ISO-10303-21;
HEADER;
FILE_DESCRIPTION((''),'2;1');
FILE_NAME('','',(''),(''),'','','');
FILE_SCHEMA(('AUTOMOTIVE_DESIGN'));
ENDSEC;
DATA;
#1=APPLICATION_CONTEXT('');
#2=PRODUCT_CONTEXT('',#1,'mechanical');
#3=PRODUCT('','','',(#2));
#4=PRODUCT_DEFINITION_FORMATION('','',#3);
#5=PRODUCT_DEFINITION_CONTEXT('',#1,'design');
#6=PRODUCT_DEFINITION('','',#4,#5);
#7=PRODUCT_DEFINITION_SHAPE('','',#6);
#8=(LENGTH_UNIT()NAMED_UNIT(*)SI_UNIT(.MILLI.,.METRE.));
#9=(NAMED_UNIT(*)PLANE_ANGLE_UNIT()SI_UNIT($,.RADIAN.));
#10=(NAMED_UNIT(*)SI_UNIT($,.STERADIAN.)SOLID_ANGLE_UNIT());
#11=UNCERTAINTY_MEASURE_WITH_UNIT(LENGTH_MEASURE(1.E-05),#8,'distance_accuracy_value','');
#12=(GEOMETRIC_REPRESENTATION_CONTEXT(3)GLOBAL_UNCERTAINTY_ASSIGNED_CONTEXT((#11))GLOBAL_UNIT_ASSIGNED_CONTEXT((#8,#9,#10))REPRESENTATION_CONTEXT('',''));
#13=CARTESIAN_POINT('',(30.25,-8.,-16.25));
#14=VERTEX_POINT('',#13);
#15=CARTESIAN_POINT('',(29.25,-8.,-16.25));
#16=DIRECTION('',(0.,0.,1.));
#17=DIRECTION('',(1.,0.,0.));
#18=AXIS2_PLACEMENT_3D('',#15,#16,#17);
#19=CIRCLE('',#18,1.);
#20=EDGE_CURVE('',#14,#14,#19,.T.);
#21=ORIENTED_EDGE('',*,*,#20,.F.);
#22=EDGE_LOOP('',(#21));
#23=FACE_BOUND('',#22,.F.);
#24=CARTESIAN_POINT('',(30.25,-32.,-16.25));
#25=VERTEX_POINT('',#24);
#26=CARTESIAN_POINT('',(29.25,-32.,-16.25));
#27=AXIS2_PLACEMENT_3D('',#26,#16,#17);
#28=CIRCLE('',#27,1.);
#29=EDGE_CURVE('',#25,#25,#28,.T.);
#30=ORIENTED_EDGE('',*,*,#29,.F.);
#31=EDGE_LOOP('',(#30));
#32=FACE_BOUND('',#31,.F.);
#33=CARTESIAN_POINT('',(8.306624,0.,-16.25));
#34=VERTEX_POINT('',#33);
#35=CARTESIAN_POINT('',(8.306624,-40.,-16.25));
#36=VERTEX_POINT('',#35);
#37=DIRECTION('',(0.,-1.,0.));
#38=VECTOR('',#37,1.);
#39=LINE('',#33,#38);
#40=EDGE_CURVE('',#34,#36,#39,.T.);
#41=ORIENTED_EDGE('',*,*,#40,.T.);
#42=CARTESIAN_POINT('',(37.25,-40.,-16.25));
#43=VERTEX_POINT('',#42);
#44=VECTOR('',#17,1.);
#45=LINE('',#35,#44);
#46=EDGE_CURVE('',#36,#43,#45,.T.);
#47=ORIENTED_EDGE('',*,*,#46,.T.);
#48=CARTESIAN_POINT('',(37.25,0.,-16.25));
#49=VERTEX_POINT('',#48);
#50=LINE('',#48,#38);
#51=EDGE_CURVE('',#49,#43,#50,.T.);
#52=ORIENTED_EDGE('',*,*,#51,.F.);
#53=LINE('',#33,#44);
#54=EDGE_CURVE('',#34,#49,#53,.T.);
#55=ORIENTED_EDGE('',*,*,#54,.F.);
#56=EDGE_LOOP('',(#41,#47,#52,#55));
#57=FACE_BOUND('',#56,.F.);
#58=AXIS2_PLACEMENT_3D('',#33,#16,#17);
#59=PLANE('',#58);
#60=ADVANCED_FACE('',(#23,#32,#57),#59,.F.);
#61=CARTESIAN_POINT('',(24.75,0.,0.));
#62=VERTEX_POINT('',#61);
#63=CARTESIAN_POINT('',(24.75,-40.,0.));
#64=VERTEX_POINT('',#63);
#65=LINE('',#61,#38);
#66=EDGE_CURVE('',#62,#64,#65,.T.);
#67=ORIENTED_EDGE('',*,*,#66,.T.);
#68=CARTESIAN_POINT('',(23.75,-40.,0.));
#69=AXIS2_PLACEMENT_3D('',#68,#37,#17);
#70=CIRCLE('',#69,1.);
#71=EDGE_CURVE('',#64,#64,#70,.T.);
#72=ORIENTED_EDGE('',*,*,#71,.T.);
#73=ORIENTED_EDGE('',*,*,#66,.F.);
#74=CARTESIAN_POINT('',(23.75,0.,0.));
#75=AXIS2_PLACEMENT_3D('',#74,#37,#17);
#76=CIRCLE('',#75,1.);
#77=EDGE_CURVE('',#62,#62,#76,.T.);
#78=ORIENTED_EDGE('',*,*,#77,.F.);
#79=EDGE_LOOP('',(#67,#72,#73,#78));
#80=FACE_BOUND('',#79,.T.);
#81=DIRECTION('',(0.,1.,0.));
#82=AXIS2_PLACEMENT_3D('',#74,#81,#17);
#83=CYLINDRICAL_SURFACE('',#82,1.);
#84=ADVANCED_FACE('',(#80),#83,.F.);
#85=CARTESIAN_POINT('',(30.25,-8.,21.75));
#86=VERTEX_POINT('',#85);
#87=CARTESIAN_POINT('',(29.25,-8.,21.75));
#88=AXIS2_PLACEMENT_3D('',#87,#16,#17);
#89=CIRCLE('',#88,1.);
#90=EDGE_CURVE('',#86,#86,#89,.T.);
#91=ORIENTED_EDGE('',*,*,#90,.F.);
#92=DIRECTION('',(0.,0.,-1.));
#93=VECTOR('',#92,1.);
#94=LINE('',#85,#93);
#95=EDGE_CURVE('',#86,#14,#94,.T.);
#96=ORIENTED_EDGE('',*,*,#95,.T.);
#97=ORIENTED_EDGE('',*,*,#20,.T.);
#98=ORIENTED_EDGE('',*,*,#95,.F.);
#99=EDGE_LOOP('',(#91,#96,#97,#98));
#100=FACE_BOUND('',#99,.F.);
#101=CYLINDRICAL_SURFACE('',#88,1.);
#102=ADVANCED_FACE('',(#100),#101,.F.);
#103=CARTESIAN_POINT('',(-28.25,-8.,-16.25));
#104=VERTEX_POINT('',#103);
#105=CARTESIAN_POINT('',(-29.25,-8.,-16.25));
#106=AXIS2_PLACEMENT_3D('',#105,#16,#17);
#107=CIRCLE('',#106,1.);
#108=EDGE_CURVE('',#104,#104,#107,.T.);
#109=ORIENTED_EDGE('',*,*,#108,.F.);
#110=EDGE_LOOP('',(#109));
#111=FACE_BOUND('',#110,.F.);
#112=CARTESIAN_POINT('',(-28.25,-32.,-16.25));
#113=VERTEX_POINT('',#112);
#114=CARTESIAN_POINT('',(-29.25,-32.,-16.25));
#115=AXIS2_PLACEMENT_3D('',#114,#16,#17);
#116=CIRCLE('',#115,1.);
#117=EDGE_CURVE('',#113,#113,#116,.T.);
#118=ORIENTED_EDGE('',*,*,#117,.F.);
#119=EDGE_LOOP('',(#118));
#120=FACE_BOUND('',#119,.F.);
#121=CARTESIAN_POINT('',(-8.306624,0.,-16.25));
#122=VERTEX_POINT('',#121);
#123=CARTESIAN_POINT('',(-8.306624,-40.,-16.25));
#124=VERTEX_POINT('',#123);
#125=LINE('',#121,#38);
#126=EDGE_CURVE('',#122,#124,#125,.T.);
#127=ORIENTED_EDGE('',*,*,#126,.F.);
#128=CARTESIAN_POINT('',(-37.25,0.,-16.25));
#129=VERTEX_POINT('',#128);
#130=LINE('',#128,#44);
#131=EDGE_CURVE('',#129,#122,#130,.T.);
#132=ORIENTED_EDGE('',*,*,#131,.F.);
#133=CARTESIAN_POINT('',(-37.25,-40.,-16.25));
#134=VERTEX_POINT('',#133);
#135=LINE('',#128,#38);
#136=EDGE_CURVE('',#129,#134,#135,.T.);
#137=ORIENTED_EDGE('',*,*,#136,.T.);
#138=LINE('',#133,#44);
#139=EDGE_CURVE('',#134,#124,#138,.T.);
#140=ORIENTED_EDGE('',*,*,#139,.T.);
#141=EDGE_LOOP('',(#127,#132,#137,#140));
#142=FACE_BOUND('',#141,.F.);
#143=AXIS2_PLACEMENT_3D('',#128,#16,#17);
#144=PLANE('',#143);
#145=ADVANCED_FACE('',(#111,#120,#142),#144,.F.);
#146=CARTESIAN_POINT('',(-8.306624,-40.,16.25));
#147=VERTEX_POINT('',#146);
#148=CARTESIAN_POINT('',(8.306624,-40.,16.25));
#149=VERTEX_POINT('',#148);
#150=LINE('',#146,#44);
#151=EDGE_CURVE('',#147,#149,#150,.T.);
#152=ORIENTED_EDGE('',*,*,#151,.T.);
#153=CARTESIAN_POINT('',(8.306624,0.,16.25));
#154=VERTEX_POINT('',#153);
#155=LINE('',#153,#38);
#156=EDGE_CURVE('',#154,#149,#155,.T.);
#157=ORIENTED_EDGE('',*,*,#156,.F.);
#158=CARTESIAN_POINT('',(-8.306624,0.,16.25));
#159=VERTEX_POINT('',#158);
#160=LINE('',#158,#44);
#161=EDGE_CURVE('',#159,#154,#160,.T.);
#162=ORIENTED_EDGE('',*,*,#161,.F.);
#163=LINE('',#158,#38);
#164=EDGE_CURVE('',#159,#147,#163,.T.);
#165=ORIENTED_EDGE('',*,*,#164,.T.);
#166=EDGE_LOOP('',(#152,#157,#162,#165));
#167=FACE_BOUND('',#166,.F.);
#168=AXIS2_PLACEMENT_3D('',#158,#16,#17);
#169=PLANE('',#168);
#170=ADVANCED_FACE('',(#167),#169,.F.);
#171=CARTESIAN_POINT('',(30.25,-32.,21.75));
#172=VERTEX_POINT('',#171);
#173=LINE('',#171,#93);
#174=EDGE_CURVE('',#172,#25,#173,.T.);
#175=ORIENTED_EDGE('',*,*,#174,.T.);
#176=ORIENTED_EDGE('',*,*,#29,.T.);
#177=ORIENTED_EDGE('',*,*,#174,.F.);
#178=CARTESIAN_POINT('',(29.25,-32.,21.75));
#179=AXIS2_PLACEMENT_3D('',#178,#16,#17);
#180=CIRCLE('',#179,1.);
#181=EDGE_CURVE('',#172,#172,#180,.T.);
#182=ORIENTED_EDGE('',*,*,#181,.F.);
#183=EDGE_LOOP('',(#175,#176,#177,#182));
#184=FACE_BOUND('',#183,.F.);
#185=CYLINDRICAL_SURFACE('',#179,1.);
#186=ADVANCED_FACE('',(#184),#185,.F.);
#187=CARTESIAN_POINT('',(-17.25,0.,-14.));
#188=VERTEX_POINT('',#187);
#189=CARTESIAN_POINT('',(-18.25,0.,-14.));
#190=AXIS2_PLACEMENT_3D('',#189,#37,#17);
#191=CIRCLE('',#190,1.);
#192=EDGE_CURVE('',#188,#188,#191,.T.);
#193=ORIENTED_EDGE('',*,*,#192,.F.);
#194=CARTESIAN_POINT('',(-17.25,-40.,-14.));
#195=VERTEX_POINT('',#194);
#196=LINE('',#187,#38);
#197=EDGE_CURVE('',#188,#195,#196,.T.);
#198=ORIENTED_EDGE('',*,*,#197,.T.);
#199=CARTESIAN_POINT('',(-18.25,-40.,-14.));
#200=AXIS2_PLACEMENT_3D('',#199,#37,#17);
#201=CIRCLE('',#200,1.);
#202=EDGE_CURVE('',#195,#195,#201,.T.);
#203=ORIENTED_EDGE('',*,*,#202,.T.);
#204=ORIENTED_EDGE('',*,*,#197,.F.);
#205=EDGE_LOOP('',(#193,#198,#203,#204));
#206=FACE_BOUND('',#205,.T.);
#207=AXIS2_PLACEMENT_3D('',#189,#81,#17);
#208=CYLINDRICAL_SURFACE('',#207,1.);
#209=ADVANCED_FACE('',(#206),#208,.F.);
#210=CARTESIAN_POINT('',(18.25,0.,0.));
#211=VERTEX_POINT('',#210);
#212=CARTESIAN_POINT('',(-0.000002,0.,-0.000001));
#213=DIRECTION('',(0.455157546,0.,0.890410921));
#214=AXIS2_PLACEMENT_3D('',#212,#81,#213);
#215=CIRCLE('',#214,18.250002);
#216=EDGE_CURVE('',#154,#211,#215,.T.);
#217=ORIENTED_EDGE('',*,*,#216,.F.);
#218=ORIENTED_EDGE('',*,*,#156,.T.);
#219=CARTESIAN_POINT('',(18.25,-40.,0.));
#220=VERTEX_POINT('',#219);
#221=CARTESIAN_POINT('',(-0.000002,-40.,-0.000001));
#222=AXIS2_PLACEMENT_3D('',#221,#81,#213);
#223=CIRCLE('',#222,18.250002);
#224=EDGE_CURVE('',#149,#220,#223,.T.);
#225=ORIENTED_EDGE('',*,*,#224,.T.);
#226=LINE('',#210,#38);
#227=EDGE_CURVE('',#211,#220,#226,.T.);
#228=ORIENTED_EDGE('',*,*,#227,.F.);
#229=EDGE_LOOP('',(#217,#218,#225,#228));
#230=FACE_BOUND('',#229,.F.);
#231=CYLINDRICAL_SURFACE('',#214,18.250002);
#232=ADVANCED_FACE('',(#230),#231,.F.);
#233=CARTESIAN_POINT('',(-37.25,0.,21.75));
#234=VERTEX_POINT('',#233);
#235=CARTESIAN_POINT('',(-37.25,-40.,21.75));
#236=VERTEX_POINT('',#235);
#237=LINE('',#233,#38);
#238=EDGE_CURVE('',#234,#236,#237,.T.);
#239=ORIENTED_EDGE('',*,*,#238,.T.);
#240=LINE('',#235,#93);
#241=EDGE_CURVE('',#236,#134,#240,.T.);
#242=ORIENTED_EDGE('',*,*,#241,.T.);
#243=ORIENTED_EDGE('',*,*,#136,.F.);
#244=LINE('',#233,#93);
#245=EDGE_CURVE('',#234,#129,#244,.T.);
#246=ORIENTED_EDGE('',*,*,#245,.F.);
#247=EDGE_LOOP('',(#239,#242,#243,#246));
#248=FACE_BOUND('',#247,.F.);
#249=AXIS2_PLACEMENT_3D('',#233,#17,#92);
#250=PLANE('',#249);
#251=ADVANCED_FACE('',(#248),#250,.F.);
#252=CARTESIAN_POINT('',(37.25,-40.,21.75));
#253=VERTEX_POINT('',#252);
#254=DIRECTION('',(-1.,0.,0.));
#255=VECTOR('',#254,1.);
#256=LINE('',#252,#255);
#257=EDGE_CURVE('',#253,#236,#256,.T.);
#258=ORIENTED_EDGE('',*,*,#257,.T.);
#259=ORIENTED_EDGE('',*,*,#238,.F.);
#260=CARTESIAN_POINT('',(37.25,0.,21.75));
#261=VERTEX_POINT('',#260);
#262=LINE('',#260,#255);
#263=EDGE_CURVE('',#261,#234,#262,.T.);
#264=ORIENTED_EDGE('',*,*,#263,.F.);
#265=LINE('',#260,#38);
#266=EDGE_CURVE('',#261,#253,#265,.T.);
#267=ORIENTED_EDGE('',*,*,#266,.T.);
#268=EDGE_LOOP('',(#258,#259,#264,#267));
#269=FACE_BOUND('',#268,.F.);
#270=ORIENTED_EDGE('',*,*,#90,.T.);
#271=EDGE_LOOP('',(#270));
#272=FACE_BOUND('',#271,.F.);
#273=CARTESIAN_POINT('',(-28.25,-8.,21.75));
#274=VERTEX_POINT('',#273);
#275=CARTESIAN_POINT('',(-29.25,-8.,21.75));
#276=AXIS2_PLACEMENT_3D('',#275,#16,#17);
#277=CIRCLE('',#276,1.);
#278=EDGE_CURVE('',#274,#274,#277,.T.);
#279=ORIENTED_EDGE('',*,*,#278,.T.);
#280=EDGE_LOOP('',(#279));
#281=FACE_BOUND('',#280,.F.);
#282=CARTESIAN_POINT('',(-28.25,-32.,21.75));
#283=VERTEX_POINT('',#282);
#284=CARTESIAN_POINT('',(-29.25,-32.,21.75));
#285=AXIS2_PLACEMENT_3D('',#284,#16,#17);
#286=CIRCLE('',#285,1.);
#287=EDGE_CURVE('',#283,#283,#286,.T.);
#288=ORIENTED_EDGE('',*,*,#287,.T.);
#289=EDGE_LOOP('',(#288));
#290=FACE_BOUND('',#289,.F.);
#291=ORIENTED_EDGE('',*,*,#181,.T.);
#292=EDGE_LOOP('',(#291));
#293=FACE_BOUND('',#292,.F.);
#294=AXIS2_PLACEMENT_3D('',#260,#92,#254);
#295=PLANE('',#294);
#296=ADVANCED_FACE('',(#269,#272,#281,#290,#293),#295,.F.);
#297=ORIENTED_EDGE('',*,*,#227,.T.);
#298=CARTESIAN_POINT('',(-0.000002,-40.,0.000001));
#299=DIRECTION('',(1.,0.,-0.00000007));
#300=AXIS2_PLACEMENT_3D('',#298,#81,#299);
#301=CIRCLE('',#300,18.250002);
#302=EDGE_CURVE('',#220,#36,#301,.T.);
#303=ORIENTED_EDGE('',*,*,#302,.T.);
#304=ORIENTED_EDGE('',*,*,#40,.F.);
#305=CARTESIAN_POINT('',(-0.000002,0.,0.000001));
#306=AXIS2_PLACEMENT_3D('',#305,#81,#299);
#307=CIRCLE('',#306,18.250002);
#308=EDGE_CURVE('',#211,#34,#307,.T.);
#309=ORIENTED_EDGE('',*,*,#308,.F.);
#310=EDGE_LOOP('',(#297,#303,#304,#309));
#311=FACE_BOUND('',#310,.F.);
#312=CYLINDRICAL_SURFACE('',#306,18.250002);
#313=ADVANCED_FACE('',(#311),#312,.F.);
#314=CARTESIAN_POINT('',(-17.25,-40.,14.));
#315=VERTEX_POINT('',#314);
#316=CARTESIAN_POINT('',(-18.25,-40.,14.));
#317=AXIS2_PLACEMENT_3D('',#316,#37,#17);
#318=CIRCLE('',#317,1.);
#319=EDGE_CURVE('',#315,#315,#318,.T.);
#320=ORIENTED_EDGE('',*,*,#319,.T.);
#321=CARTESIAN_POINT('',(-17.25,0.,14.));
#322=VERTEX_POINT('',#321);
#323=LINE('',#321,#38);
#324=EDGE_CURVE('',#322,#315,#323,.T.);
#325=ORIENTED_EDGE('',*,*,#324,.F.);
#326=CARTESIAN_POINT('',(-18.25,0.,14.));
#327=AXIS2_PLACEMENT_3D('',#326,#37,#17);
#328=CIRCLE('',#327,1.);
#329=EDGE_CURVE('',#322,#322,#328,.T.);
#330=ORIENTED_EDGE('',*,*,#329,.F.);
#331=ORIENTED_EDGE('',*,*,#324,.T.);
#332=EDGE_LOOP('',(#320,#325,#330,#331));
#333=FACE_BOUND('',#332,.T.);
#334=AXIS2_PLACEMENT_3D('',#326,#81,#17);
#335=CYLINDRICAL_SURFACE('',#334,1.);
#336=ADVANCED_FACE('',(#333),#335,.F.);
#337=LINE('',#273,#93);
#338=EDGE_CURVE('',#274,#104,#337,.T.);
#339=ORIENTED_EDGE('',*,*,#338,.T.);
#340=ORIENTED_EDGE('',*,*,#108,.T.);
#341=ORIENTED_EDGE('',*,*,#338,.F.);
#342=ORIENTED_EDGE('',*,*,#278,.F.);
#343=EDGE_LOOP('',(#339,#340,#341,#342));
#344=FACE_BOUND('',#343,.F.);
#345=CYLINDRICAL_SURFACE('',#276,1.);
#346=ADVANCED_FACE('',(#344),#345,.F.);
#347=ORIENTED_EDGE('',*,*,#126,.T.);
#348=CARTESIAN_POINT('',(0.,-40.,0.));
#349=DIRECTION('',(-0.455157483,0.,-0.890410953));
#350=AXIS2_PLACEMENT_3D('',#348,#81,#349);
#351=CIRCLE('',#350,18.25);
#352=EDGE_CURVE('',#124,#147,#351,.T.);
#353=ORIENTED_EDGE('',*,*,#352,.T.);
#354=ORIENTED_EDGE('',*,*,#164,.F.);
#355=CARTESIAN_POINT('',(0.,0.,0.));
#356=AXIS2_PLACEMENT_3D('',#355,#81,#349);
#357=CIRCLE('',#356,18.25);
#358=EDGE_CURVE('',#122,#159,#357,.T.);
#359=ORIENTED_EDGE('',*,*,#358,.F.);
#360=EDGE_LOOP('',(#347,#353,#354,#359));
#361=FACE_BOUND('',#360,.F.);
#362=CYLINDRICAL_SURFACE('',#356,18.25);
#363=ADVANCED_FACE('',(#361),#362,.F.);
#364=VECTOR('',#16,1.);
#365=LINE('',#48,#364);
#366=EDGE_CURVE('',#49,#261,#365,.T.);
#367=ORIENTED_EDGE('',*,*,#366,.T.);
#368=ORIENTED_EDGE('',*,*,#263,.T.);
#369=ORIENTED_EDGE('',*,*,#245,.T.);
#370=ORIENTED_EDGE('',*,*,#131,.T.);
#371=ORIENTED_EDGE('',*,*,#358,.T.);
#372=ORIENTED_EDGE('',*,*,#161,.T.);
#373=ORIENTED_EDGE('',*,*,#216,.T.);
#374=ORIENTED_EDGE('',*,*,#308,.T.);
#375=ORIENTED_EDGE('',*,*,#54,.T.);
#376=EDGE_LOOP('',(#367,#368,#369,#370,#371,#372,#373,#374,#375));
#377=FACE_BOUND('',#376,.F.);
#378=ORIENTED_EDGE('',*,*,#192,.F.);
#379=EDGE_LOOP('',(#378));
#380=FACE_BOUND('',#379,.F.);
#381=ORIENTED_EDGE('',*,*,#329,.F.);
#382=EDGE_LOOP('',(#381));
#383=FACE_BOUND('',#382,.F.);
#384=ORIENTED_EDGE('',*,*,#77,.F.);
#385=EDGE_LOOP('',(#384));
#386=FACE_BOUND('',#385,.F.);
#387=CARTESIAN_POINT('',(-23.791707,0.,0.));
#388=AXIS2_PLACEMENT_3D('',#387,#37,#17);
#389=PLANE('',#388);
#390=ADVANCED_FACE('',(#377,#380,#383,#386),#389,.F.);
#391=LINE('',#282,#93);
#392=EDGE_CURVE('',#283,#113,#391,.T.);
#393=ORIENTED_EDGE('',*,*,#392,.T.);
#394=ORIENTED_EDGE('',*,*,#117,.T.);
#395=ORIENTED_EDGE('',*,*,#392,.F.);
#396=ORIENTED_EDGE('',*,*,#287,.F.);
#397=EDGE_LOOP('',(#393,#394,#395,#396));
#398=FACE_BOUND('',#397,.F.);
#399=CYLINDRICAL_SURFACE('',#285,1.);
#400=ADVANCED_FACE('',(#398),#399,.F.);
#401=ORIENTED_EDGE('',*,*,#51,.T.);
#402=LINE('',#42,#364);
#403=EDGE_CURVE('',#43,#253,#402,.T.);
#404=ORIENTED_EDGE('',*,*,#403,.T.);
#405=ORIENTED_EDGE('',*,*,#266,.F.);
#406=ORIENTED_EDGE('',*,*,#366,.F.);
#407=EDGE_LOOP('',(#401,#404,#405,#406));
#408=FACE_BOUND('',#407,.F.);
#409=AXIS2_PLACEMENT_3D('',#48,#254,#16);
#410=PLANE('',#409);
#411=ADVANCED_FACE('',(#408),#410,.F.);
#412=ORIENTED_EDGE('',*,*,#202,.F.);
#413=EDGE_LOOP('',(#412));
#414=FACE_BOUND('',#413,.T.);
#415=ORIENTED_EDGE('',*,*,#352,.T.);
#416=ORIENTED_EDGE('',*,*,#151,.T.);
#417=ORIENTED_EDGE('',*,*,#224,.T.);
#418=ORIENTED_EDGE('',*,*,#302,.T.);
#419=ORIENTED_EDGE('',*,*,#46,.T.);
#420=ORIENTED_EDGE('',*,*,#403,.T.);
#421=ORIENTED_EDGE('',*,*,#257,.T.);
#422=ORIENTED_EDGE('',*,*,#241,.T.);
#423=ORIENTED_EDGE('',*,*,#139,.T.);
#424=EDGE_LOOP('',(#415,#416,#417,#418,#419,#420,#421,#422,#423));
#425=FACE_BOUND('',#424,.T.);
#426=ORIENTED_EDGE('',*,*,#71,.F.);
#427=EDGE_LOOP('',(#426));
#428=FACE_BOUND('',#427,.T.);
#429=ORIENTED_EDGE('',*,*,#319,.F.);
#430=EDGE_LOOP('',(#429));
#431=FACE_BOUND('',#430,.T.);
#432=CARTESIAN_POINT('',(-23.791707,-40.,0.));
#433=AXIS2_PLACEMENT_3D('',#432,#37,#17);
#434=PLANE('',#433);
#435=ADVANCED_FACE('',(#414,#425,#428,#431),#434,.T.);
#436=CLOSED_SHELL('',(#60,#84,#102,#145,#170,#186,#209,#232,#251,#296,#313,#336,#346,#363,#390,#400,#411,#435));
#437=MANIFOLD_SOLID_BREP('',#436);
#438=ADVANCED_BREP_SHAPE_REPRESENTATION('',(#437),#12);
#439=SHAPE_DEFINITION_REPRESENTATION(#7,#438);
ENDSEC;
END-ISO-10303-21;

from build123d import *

# Parameters (mm, degrees)
F0_R     = 1
F1_DEPTH = 40
F2_R     = 1
F3_DEPTH = 46.1


with BuildPart() as f1:
    # F0 (on Front) → F1 (new body)
    with BuildSketch(Plane.XZ):
        with BuildLine():
            Line((-8.306624, 16.25), (-37.25, 16.25))
            Line((-37.25, 16.25), (-37.25, -16.25))
            Line((-37.25, -16.25), (-8.306624, -16.25))
            ThreePointArc((-8.306624, -16.25), (-18.25, 0), (-8.306624, 16.25))
        make_face()
        with Locations((-18.25, -14)):
            Circle(F0_R, mode=Mode.SUBTRACT)
        with Locations((-18.25, 14)):
            Circle(F0_R, mode=Mode.SUBTRACT)
        with BuildLine():
            Line((37.25, 21.75), (-37.25, 21.75))
            Line((-37.25, 21.75), (-37.25, 16.25))
            Line((-37.25, 16.25), (-8.306624, 16.25))
            ThreePointArc((-8.306624, 16.25), (0, 18.25), (8.306624, 16.25))
            Line((8.306624, 16.25), (37.25, 16.25))
            Line((37.25, 16.25), (37.25, 21.75))
        make_face()
        with BuildLine():
            Line((37.25, -16.25), (37.25, 16.25))
            Line((37.25, 16.25), (8.306624, 16.25))
            ThreePointArc((8.306624, 16.25), (15.566926, 9.525403), (18.25, 0))
            ThreePointArc((18.25, 0), (15.566926, -9.525403), (8.306624, -16.25))
            Line((8.306624, -16.25), (37.25, -16.25))
        make_face()
        with Locations((23.75, 0)):
            Circle(F0_R, mode=Mode.SUBTRACT)
        with BuildLine():
            ThreePointArc((8.306624, 16.25), (0, 18.25), (-8.306624, 16.25))
            Line((-8.306624, 16.25), (8.306624, 16.25))
        make_face()
    extrude(amount=F1_DEPTH)

    # F2 (on face) → F3 (cut)
    with BuildSketch(Plane.XY.offset(21.75)):
        with Locations((-29.25, -8)):
            Circle(F2_R)
        with Locations((-29.25, -32)):
            Circle(F2_R)
        with Locations((29.25, -32)):
            Circle(F2_R)
        with Locations((29.25, -8)):
            Circle(F2_R)
    extrude(amount=-F3_DEPTH, mode=Mode.SUBTRACT)


solid = f1.part
